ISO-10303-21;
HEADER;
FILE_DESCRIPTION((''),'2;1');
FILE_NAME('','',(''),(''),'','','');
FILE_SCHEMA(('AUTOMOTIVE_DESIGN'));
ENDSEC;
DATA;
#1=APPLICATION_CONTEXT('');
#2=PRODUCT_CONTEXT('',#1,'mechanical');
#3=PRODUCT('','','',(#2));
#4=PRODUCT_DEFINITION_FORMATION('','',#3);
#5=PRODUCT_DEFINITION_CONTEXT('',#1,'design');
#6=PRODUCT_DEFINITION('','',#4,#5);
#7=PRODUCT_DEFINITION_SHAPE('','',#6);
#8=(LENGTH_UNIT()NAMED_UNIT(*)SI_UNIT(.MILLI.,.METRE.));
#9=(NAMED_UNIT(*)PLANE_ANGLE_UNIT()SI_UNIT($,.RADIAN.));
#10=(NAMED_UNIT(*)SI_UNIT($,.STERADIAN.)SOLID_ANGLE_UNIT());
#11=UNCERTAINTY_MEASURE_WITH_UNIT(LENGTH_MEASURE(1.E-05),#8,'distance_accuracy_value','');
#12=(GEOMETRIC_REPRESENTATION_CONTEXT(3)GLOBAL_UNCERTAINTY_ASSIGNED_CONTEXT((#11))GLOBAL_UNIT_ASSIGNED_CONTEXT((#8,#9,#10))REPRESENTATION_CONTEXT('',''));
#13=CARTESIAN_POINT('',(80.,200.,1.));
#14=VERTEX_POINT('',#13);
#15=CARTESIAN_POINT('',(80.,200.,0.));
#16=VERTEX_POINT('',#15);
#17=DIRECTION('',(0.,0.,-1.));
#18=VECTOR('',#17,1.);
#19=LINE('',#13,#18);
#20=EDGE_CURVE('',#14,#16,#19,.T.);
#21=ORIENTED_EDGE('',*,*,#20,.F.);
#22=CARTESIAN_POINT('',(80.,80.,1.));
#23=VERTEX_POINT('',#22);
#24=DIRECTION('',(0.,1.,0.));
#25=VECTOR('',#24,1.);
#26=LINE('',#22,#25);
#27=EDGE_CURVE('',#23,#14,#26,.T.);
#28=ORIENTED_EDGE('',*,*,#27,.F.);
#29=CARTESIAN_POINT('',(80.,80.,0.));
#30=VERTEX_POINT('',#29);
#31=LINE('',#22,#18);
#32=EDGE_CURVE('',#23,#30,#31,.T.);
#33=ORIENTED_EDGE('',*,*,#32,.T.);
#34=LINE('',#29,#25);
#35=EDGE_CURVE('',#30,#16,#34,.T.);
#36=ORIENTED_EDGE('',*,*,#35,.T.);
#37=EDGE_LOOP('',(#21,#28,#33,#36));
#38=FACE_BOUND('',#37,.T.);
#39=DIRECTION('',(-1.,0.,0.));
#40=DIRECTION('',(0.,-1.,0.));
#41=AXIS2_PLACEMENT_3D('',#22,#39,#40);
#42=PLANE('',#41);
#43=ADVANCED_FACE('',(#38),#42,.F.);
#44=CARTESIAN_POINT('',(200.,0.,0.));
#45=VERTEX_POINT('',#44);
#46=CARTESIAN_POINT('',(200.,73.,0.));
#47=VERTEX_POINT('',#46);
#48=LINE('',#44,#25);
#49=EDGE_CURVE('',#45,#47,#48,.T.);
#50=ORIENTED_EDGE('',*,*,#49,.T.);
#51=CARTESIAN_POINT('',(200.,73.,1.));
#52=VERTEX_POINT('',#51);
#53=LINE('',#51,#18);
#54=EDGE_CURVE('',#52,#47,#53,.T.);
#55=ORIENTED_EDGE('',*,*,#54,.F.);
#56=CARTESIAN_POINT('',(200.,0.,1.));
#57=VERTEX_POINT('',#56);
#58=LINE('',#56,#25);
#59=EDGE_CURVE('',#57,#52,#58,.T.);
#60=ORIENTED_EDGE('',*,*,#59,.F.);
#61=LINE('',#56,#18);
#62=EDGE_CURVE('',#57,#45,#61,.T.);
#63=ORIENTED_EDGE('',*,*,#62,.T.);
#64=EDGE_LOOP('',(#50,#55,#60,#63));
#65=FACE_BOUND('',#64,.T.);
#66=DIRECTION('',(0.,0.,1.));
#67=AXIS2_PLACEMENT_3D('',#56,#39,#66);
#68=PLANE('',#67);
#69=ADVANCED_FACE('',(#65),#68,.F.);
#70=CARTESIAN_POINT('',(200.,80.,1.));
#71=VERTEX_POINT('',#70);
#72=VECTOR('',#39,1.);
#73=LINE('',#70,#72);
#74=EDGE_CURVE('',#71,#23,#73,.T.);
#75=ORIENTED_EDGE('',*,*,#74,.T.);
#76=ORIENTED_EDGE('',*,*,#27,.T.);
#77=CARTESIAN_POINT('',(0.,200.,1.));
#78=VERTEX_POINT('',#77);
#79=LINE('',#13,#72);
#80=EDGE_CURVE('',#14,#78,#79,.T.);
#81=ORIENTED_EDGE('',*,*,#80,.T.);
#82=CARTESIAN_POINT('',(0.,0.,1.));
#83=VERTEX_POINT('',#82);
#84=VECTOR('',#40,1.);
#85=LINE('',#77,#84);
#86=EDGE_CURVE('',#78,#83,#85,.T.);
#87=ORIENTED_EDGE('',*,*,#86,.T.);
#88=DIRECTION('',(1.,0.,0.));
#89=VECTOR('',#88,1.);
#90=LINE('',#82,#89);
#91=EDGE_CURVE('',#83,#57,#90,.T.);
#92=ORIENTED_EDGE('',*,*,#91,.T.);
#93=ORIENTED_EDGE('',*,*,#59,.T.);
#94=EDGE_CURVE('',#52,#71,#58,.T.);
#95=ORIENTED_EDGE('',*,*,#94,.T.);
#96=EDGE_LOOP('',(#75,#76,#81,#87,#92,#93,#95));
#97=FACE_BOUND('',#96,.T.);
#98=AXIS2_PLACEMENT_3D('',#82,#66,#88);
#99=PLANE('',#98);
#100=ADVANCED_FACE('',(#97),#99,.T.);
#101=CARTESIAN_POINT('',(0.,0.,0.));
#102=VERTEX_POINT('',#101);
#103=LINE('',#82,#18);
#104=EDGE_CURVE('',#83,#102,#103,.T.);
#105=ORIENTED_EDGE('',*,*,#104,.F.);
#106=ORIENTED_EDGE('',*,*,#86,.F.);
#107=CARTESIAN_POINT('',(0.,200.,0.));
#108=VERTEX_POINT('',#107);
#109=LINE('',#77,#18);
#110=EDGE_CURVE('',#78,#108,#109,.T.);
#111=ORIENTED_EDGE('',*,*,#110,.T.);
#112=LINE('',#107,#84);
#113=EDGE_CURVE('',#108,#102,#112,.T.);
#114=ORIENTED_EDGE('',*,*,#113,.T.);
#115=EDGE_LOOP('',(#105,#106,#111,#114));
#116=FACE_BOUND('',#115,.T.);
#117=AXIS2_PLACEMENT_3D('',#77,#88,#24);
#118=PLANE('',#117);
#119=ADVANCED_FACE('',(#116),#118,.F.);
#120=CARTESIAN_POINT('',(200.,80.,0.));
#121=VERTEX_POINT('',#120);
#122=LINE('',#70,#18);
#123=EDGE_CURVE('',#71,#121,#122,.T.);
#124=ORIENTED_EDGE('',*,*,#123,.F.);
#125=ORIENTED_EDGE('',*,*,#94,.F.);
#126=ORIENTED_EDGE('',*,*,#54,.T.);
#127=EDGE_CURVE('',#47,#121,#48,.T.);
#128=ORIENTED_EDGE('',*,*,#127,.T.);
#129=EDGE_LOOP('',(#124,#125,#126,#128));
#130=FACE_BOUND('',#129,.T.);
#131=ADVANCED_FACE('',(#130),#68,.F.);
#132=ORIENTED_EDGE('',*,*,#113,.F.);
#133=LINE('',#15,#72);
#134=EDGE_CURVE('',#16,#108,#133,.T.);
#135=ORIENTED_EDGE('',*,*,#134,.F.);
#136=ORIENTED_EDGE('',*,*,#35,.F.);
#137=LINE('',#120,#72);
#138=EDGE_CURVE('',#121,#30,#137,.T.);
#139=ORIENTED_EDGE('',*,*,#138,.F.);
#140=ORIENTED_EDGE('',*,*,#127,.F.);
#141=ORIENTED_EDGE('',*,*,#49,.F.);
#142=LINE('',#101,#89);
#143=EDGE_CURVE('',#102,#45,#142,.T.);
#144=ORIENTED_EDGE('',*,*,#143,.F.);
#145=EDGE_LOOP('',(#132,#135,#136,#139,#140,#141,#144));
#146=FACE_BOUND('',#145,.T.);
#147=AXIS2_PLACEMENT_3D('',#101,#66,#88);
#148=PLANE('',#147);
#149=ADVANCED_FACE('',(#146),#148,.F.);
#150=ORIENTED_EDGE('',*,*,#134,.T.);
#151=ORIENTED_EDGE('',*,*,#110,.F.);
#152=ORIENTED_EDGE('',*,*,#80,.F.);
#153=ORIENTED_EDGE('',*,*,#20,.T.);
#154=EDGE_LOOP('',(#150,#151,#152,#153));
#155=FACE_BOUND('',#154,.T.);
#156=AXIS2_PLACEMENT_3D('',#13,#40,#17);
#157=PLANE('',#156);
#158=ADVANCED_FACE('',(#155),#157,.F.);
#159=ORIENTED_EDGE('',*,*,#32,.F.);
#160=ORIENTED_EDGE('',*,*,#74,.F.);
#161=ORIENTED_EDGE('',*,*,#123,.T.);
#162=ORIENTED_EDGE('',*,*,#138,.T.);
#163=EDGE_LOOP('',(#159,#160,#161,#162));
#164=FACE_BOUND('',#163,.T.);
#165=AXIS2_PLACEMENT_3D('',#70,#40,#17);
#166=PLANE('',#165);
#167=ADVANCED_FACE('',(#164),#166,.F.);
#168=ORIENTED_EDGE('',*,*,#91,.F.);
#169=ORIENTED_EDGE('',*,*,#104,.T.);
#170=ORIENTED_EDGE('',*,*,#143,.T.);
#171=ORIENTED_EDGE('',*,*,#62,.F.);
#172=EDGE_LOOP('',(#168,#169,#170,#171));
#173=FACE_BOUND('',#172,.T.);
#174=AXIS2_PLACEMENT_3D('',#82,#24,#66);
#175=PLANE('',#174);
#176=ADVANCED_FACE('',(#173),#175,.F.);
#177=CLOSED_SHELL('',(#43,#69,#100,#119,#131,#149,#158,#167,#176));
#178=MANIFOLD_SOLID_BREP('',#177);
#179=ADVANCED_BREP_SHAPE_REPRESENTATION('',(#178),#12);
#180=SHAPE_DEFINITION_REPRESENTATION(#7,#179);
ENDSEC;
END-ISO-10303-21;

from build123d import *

# Parameters (mm, degrees)
BOSS_EXTRUDE1_DEPTH = 1


with BuildPart() as part:
    # Sketch1 → Boss-Extrude1 (new body)
    with BuildSketch(Plane.XY):
        Polygon((0, 0), (200, 0), (200, 80), (80, 80), (80, 200), (0, 200), align=None)
    extrude(amount=BOSS_EXTRUDE1_DEPTH)


solid = part.part
